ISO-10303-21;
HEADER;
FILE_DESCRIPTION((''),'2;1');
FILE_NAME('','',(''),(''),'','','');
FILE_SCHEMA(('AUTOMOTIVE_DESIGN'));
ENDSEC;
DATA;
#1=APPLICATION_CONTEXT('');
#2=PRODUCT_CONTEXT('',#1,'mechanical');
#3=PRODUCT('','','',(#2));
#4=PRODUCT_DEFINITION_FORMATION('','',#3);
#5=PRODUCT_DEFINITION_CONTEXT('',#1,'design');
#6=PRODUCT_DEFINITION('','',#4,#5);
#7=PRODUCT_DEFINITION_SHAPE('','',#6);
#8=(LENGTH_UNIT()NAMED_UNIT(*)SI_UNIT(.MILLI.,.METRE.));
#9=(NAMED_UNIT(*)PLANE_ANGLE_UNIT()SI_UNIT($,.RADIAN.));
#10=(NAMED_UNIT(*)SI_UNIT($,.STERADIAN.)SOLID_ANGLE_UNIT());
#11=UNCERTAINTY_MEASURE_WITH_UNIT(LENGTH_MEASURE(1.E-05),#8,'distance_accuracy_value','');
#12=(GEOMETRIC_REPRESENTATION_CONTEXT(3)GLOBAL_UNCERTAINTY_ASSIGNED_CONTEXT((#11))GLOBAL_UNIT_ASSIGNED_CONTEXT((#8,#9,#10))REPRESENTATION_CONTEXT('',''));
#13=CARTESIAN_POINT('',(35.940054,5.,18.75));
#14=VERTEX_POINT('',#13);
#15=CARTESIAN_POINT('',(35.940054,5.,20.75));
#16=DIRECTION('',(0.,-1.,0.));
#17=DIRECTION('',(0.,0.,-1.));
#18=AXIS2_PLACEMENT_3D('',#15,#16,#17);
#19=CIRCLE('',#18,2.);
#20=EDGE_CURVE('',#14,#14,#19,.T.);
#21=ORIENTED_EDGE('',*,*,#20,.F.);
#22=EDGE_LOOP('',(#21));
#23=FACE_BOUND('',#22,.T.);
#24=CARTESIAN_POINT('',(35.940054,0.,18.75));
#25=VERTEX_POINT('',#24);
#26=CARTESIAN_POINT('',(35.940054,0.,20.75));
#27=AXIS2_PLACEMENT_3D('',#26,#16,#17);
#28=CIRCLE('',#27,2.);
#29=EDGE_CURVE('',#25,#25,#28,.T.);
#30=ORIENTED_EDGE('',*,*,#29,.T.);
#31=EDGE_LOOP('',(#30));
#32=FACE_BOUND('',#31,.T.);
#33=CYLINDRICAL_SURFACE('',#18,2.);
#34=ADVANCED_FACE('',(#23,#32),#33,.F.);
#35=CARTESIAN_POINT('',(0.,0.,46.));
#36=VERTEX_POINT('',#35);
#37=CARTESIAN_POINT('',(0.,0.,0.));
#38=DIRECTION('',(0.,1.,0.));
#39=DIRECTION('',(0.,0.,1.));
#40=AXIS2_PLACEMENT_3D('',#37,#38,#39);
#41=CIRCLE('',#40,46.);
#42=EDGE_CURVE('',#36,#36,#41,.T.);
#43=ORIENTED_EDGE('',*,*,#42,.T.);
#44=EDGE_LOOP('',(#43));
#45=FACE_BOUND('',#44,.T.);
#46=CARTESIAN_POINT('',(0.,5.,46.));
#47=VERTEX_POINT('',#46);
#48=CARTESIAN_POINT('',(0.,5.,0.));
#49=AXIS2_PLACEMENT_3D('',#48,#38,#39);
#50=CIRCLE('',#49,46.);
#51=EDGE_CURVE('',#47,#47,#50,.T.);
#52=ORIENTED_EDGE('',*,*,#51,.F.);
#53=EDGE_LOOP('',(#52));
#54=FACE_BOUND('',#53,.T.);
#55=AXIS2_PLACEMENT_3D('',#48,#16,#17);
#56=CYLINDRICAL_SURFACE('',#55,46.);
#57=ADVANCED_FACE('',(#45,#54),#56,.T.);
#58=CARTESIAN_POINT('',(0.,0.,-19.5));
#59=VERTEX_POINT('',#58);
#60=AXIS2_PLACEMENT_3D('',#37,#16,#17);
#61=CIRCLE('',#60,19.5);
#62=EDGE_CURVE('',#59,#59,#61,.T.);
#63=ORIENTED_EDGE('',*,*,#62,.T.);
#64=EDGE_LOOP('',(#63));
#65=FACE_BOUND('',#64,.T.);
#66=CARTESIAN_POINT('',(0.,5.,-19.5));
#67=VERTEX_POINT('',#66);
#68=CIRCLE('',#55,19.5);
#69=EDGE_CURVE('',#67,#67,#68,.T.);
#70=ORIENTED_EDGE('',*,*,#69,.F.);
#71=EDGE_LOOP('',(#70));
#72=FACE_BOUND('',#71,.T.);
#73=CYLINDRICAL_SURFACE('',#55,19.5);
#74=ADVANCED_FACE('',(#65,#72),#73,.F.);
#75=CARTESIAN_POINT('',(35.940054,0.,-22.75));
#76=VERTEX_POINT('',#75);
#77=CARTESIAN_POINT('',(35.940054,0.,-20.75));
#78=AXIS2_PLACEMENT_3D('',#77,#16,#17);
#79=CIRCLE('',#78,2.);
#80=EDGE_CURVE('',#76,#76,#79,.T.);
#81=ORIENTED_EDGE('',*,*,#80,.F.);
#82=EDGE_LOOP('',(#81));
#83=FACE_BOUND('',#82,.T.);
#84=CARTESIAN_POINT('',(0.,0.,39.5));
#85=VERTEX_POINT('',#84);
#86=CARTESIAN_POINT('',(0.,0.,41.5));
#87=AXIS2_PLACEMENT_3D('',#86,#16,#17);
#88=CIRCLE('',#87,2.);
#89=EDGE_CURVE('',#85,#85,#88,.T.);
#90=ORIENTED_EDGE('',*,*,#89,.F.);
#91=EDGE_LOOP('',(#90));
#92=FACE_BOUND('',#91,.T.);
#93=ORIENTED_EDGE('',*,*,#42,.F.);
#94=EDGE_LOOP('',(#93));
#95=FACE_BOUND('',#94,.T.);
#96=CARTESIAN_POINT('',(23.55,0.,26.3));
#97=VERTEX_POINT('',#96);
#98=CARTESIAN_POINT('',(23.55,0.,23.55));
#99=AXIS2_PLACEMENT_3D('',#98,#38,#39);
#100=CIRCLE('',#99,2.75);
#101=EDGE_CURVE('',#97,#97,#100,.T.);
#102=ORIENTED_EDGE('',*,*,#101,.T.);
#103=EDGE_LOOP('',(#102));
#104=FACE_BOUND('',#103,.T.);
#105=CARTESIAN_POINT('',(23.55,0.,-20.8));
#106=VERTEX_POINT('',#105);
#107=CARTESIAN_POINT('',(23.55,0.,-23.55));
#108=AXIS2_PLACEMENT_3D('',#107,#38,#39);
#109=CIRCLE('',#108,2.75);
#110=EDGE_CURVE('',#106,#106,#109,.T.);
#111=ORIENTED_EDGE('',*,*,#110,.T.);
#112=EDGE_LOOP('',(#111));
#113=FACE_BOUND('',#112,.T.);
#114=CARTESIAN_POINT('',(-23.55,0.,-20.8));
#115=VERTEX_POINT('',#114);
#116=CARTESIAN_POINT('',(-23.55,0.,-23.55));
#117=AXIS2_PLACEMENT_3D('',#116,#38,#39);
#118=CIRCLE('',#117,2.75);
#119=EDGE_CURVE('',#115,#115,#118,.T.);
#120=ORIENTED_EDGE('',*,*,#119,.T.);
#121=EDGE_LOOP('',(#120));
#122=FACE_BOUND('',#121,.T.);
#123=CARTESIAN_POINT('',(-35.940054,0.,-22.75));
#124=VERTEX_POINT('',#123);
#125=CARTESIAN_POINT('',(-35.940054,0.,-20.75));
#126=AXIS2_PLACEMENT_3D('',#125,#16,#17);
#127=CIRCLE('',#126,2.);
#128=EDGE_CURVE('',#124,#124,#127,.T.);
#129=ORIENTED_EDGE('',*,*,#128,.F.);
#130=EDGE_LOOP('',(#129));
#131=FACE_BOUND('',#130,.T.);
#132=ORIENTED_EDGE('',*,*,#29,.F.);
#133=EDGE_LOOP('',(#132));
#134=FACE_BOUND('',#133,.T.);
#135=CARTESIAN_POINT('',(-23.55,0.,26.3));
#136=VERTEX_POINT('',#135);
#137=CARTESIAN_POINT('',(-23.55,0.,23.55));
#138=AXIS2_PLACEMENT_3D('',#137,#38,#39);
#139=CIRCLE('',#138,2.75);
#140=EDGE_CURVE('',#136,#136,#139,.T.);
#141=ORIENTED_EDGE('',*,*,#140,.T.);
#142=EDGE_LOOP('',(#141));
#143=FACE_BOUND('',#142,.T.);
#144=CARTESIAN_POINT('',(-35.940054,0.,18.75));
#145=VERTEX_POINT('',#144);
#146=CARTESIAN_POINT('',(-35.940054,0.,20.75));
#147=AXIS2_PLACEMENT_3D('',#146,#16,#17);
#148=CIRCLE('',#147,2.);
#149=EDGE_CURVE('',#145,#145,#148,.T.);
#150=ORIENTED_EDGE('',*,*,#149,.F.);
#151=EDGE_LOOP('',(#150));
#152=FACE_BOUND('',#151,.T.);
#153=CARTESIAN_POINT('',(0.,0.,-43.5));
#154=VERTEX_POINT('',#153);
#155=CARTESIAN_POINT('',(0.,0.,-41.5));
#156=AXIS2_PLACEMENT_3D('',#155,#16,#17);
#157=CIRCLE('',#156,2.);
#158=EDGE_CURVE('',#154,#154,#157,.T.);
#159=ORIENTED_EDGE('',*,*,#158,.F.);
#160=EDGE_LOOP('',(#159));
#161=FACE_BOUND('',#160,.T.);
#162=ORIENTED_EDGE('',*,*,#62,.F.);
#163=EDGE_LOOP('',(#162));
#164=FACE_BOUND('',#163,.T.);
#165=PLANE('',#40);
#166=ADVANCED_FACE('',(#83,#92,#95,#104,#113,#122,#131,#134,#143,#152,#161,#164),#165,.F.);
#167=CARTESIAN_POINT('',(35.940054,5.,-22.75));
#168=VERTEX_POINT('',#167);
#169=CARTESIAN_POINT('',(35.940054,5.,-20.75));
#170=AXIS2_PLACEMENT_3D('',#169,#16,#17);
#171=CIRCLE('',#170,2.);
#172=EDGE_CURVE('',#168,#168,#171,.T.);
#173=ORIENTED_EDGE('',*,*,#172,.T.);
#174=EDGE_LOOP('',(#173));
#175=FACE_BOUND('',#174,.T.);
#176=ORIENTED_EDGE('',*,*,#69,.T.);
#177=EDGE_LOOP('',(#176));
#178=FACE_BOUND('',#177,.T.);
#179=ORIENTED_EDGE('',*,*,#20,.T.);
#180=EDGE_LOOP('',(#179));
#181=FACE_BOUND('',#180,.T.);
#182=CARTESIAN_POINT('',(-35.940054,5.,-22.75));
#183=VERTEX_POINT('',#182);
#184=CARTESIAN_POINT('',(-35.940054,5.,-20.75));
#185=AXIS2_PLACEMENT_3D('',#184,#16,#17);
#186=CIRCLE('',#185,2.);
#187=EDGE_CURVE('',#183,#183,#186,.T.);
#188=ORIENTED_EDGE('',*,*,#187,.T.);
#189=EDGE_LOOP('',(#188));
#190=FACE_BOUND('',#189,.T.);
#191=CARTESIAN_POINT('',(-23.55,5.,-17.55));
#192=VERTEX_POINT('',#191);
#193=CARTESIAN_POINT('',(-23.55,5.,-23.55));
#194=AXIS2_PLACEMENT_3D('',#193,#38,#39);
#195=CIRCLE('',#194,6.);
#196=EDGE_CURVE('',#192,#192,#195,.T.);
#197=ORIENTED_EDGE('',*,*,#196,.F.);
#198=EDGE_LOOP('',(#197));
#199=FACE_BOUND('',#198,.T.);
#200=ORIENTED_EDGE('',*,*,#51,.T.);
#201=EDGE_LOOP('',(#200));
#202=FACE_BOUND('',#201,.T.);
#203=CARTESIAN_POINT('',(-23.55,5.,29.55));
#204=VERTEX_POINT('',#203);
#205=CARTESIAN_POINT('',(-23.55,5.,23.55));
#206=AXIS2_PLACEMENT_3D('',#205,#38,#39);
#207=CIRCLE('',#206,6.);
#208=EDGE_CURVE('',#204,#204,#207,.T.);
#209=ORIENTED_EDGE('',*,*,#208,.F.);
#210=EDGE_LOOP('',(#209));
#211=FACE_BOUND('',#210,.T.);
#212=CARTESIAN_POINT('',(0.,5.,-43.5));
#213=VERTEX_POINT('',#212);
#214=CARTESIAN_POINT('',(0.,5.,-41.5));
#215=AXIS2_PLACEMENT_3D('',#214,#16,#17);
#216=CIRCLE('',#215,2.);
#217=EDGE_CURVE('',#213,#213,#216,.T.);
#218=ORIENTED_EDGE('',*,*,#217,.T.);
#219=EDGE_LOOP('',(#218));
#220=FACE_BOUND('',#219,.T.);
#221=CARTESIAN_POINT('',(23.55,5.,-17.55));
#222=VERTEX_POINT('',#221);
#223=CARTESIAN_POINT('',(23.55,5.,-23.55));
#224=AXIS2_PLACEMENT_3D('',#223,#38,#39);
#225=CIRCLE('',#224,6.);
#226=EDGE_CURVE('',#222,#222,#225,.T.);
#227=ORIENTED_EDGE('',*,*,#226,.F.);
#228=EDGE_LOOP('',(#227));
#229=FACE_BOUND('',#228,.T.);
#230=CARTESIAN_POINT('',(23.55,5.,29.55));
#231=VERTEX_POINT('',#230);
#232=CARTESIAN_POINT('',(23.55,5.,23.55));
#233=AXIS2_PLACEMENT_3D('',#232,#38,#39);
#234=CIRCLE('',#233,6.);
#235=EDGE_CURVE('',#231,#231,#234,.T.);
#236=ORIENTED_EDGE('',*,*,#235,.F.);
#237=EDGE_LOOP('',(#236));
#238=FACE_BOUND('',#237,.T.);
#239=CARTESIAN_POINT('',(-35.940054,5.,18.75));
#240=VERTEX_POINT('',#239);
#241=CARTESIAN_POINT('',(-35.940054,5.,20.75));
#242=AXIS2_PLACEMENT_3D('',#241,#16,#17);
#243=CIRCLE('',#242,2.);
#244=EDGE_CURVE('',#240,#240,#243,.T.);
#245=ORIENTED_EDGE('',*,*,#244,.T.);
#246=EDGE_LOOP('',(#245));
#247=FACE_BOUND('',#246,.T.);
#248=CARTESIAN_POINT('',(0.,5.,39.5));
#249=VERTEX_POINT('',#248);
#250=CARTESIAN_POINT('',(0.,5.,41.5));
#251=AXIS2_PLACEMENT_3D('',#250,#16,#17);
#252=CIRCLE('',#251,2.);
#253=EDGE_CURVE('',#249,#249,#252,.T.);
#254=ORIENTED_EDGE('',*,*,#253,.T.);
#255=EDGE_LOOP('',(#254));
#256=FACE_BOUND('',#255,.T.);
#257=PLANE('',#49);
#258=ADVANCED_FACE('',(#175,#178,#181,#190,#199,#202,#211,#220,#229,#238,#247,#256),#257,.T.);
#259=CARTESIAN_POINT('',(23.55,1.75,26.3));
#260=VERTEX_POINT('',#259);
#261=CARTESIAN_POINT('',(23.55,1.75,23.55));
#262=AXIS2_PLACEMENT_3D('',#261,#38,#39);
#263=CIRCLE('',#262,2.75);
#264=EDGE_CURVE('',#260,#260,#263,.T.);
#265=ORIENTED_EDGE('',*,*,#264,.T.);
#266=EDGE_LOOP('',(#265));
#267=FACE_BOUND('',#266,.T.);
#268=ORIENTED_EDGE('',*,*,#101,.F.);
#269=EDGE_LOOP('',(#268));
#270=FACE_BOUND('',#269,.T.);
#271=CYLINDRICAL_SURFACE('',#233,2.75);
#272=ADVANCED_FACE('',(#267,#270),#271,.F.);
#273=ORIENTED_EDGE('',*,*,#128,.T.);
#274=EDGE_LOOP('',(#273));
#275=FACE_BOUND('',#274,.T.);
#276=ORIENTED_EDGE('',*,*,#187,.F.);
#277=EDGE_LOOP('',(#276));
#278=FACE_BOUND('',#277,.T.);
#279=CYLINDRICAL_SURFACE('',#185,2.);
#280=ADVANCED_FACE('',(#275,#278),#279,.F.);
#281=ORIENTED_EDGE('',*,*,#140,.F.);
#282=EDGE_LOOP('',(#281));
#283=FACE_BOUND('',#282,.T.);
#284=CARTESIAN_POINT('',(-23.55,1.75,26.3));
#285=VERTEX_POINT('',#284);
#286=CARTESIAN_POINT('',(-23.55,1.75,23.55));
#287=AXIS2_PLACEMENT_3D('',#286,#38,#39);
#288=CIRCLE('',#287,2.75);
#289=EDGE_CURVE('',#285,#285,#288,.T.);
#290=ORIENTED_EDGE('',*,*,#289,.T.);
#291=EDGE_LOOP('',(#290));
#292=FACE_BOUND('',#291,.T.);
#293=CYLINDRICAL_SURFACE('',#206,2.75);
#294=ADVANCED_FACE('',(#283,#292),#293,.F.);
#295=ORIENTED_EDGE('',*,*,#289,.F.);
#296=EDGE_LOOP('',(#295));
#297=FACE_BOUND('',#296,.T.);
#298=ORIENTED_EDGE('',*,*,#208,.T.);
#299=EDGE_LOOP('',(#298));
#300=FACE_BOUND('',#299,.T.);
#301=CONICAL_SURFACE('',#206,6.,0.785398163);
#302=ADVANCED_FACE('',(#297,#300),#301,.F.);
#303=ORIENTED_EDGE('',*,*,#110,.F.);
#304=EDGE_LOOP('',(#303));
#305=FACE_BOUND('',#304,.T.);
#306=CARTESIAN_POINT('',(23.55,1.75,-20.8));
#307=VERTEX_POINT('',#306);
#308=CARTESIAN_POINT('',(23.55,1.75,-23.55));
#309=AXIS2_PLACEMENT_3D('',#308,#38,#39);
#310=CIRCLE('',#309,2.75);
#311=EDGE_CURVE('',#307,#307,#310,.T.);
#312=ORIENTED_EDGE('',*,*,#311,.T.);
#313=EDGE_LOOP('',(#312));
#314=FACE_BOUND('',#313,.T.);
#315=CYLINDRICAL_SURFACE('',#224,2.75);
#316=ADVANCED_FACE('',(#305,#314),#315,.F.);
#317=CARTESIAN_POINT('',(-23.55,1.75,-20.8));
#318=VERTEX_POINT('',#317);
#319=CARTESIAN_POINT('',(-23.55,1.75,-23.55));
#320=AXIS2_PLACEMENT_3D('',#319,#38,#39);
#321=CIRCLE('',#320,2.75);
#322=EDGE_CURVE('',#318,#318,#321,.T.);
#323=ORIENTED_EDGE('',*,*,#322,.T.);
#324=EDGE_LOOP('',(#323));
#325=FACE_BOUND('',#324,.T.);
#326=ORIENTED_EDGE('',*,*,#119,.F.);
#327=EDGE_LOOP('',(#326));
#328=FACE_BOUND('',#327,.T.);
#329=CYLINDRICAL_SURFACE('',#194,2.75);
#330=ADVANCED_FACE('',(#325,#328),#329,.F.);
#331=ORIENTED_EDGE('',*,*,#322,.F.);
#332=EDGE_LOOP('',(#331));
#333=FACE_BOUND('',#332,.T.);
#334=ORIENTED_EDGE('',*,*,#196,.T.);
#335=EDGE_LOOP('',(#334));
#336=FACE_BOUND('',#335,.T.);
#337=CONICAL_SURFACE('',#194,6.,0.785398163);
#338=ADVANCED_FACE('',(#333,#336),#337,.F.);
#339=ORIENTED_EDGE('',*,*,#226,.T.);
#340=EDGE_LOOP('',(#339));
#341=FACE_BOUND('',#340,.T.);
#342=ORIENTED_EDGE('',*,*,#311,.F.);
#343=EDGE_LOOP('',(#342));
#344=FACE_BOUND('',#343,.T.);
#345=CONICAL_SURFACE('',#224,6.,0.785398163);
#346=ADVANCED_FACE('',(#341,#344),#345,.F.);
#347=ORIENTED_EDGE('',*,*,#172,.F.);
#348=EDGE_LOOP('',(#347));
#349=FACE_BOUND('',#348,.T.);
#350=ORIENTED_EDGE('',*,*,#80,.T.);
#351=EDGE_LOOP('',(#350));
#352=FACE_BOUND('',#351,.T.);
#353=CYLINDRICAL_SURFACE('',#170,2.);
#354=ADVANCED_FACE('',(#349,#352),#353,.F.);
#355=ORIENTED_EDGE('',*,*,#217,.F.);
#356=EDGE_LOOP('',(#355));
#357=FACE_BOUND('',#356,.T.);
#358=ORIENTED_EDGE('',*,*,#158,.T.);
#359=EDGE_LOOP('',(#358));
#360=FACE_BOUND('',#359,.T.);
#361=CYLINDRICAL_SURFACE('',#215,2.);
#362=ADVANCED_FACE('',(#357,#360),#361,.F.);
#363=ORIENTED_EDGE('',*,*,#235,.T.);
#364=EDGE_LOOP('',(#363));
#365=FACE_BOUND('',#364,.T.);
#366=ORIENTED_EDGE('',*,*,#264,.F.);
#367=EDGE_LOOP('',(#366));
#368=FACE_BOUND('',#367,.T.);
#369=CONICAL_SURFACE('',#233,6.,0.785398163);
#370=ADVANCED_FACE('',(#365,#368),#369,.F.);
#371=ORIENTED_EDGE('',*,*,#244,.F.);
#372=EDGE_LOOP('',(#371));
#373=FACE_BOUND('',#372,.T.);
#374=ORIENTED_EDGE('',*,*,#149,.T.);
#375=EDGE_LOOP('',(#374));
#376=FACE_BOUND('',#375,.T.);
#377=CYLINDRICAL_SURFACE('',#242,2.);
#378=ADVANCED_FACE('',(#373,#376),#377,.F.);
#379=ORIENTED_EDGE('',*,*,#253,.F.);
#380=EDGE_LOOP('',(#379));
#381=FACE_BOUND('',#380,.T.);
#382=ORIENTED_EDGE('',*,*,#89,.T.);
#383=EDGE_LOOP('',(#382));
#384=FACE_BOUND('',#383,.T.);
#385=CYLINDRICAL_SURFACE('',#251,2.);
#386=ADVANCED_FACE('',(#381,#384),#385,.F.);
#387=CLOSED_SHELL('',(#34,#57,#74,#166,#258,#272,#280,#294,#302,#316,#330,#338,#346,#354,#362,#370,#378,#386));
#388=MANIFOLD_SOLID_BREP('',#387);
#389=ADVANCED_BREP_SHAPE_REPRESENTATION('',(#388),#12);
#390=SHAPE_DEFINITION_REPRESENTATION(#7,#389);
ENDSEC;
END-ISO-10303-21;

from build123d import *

# Parameters (mm, degrees)
SKETCH1_R                                    = 46
SKETCH1_R_2                                  = 2.5
BOSS_EXTRUDE1_DEPTH                          = 5
SKETCH3_R                                    = 2
CUT_EXTRUDE2_DEPTH                           = 66.245689513
SKETCH7_R                                    = 19.5
CUT_EXTRUDE3_DEPTH                           = 66.245689513
CSK_FOR_M5_SOCKET_COUNTERSUNK_HEAD_S_2_COUNT = 2
CSK_FOR_M5_SOCKET_COUNTERSUNK_HEAD_S_2_PITCH = 47.1
CSK_FOR_M5_SOCKET_COUNTERSUNK_HEAD_S_3_COUNT = 2
CSK_FOR_M5_SOCKET_COUNTERSUNK_HEAD_S_3_PITCH = 66.609458788
CSK_FOR_M5_SOCKET_COUNTERSUNK_HEAD_S_4_COUNT = 2
CSK_FOR_M5_SOCKET_COUNTERSUNK_HEAD_S_4_PITCH = 47.1


with BuildPart() as part:
    # Sketch1 → Boss-Extrude1 (new body)
    with BuildSketch(Plane(origin=(0, 0, 0), x_dir=(1, 0, 0), z_dir=(0, 1, 0))):
        Circle(SKETCH1_R)
        with Locations((-23.55, -23.55)):
            Circle(SKETCH1_R_2, mode=Mode.SUBTRACT)
        with Locations((23.55, -23.55)):
            Circle(SKETCH1_R_2, mode=Mode.SUBTRACT)
        with Locations((-23.55, 23.55)):
            Circle(SKETCH1_R_2, mode=Mode.SUBTRACT)
        with Locations((23.55, 23.55)):
            Circle(SKETCH1_R_2, mode=Mode.SUBTRACT)
    extrude(amount=BOSS_EXTRUDE1_DEPTH)

    # Sketch3 → Cut-Extrude2 (cut, through all)
    with BuildSketch(Plane.XZ):
        with Locations((0, 41.5)):
            Circle(SKETCH3_R)
        with Locations((35.940054257, 20.75)):
            Circle(SKETCH3_R)
        with Locations((35.940054257, -20.75)):
            Circle(SKETCH3_R)
        with Locations((0, -41.5)):
            Circle(SKETCH3_R)
        with Locations((-35.940054257, -20.75)):
            Circle(SKETCH3_R)
        with Locations((-35.940054257, 20.75)):
            Circle(SKETCH3_R)
    extrude(amount=-CUT_EXTRUDE2_DEPTH, mode=Mode.SUBTRACT)

    # Sketch7 → Cut-Extrude3 (cut, through all)
    with BuildSketch(Plane.XZ):
        Circle(SKETCH7_R)
    extrude(amount=-CUT_EXTRUDE3_DEPTH, mode=Mode.SUBTRACT)

    # Sketch8 → CSK for M5 socket countersunk head screw1 (revolve, cut)
    with BuildSketch(Plane(origin=(23.55, 5, -23.55), x_dir=(0, 0, 1), z_dir=(1, 0, 0))):
        Polygon((0, 0), (0, 5), (2.75, 5), (2.75, 3.25), (6, 0), align=None)
    csk_for_m5_socket_countersunk_head_screw = revolve(axis=Axis((23.55, 11.35, -23.55), (0, -1, 0)), mode=Mode.SUBTRACT)

    # CSK for M5 socket countersunk head s 2: CSK for M5 socket countersunk head screw1 ×2
    with Locations(*[(0, 0, i * CSK_FOR_M5_SOCKET_COUNTERSUNK_HEAD_S_2_PITCH) for i in range(1, CSK_FOR_M5_SOCKET_COUNTERSUNK_HEAD_S_2_COUNT)]):
        add(csk_for_m5_socket_countersunk_head_screw, mode=Mode.SUBTRACT)

    # CSK for M5 socket countersunk head s 3: CSK for M5 socket countersunk head screw1 ×2
    with Locations(*[Vector(-0.7071067811865476, 0, 0.7071067811865476) * (i * CSK_FOR_M5_SOCKET_COUNTERSUNK_HEAD_S_3_PITCH) for i in range(1, CSK_FOR_M5_SOCKET_COUNTERSUNK_HEAD_S_3_COUNT)]):
        add(csk_for_m5_socket_countersunk_head_screw, mode=Mode.SUBTRACT)

    # CSK for M5 socket countersunk head s 4: CSK for M5 socket countersunk head screw1 ×2
    with Locations(*[(-i * CSK_FOR_M5_SOCKET_COUNTERSUNK_HEAD_S_4_PITCH, 0, 0) for i in range(1, CSK_FOR_M5_SOCKET_COUNTERSUNK_HEAD_S_4_COUNT)]):
        add(csk_for_m5_socket_countersunk_head_screw, mode=Mode.SUBTRACT)


solid = part.part
